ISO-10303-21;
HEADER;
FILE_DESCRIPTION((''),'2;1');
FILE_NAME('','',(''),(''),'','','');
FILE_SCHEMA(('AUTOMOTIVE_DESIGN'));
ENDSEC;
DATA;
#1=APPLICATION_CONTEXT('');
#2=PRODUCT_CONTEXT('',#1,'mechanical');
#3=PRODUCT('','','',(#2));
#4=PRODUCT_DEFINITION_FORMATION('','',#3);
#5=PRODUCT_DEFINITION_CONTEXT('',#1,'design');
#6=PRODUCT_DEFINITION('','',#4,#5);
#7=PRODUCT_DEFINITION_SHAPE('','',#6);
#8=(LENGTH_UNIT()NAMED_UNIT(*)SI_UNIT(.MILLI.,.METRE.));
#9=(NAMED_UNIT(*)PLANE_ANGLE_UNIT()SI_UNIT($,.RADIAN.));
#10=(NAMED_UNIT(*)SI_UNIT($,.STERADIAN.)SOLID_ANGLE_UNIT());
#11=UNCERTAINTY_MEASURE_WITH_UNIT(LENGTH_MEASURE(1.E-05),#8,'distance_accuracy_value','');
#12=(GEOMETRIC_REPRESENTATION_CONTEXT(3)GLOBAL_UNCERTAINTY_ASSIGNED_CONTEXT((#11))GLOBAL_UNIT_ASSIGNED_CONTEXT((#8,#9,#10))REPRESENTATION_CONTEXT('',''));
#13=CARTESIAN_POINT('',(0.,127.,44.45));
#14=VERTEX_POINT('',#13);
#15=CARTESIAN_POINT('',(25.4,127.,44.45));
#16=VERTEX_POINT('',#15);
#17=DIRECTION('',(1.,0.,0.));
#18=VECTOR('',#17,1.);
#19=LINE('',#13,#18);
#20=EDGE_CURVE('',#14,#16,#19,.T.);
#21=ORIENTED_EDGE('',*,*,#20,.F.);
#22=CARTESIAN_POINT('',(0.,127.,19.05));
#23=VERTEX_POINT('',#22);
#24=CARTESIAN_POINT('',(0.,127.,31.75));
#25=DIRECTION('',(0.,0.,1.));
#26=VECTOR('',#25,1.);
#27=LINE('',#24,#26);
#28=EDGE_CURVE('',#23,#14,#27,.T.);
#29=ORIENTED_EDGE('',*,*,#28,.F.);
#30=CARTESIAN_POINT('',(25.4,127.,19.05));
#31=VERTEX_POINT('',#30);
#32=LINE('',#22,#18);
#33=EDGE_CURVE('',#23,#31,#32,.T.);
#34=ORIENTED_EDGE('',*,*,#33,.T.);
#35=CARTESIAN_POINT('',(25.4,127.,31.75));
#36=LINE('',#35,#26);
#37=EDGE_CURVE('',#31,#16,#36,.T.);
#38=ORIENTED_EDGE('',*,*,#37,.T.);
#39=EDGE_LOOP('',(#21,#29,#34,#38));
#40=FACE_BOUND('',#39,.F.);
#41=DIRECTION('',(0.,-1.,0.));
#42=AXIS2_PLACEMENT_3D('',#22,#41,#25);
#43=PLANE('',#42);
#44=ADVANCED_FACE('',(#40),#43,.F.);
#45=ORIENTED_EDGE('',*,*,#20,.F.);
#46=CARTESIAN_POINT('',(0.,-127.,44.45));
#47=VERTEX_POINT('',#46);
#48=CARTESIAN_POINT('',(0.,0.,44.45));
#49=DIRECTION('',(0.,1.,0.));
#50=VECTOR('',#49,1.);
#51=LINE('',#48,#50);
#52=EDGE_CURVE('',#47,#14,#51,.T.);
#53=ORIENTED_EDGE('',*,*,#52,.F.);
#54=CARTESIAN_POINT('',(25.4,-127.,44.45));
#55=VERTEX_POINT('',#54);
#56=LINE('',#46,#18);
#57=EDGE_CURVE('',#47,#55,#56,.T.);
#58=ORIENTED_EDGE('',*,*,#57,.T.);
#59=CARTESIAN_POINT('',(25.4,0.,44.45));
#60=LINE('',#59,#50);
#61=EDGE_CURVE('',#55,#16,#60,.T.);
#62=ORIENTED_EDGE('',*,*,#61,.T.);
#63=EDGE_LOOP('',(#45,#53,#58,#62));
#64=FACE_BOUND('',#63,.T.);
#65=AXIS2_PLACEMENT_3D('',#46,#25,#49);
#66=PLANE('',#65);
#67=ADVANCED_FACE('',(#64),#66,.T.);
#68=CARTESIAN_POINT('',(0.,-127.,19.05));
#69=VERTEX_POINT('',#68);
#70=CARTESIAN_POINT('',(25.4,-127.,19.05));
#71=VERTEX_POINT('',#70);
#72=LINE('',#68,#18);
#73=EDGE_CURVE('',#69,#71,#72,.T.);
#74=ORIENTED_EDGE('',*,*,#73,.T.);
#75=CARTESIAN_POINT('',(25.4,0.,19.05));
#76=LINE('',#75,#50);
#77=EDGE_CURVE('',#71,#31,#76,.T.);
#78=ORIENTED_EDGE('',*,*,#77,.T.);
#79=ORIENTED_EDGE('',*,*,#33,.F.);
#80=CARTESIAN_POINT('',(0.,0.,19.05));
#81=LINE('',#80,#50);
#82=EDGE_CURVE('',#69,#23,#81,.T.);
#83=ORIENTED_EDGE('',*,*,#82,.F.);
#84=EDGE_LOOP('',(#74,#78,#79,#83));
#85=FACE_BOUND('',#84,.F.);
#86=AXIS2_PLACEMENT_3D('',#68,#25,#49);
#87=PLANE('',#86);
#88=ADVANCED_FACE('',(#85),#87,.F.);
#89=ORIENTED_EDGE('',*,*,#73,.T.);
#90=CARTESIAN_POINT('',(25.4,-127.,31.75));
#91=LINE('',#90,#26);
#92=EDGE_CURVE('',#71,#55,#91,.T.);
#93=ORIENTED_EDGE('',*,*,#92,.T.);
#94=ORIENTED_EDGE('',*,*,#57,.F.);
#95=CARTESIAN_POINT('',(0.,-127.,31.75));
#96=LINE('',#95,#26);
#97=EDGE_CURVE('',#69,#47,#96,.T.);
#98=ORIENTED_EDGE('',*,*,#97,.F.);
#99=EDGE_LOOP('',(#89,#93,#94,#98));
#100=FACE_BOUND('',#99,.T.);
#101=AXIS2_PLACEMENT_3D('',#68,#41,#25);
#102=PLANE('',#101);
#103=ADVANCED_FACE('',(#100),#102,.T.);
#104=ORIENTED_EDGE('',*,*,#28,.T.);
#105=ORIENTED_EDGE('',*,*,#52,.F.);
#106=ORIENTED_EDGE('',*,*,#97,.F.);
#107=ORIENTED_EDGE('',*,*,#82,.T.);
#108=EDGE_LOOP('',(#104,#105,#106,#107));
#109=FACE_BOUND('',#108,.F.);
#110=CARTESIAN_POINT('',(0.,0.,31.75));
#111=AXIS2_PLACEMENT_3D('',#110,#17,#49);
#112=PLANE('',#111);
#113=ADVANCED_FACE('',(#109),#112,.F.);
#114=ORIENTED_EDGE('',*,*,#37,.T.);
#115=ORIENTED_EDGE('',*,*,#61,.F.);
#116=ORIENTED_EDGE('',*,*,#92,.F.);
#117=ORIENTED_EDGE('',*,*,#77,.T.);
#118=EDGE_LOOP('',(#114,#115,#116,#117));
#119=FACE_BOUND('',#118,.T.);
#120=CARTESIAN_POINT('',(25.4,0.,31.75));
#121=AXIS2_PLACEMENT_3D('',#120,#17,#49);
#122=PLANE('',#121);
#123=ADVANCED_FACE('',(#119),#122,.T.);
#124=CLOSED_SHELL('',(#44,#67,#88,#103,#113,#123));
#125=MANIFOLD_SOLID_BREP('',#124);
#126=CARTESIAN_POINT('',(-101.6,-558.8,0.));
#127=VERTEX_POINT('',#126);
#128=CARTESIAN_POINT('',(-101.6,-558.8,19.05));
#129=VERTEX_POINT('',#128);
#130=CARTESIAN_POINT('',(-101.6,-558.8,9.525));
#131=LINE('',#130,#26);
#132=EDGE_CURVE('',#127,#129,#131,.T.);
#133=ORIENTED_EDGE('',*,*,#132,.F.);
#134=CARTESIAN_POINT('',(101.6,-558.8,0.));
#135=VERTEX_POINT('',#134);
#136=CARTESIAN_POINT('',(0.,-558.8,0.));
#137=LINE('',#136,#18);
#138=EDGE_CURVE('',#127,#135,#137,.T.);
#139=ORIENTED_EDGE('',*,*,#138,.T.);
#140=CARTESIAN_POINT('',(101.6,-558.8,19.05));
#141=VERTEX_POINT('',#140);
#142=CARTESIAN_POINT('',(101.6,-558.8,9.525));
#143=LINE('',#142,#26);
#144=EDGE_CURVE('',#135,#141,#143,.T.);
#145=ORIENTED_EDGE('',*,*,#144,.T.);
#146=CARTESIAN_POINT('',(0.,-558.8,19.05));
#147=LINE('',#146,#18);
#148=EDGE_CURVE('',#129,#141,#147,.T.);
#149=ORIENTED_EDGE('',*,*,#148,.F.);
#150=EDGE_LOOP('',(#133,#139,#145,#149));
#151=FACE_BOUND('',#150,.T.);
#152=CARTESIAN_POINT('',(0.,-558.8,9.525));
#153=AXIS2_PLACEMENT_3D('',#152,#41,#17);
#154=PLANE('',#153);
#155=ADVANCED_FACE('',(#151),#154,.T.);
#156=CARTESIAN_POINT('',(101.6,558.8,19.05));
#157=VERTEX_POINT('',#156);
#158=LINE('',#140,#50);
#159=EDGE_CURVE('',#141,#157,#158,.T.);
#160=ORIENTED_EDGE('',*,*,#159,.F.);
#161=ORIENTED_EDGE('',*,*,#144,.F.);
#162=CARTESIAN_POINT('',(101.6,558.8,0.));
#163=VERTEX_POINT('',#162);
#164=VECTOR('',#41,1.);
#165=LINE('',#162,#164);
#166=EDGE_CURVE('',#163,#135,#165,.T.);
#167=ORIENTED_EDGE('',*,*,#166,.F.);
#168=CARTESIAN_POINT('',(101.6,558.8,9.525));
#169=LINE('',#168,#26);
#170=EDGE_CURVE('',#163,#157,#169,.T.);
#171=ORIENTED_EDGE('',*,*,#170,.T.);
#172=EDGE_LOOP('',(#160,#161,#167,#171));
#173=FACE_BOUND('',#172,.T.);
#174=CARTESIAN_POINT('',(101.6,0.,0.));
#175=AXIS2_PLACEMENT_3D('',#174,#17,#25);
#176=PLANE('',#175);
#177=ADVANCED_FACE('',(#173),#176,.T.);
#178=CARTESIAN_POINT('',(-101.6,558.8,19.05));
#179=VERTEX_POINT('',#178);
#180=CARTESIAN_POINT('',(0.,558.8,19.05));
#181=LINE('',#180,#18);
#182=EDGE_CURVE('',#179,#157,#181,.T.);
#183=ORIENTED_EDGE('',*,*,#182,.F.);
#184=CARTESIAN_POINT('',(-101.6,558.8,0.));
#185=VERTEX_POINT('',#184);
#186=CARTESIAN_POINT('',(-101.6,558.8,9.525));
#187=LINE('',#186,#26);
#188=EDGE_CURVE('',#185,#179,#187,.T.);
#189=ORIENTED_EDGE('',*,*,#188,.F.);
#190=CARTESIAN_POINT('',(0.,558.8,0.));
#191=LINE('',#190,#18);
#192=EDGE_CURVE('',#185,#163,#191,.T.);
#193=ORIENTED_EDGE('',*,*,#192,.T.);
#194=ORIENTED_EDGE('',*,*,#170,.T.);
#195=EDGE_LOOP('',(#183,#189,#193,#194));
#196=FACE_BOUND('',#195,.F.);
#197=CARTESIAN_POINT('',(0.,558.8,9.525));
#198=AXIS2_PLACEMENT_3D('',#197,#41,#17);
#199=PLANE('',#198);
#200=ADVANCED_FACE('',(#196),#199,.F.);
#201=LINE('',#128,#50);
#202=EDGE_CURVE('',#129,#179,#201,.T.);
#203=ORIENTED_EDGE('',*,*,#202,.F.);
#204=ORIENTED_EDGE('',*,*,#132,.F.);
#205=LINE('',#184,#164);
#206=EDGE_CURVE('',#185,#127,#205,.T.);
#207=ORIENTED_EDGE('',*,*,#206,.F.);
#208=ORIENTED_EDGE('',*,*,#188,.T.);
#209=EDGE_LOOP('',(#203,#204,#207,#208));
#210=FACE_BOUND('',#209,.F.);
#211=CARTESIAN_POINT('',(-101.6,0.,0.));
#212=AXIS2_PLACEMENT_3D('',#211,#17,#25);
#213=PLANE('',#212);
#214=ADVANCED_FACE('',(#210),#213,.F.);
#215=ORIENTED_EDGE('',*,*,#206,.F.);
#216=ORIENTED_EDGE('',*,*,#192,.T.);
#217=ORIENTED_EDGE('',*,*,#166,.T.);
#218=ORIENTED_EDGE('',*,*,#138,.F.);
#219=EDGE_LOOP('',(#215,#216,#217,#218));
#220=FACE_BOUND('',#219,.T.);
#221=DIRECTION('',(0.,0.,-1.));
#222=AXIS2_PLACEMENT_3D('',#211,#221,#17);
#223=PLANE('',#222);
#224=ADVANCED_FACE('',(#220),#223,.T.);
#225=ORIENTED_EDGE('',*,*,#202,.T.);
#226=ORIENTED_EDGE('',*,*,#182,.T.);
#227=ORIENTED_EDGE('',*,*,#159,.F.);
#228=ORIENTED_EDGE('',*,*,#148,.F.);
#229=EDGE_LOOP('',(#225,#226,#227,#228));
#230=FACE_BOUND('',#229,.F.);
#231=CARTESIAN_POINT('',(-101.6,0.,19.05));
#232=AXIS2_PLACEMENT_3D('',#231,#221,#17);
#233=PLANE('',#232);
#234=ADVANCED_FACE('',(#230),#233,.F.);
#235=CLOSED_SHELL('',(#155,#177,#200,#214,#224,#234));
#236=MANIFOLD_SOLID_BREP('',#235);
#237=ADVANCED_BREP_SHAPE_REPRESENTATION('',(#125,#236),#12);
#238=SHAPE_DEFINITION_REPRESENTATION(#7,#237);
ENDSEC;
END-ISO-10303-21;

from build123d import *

# Parameters (mm, degrees)
F0_W     = 203.2
F0_H     = 19.05
F1_DEPTH = 558.8
F2_W     = 254
F2_H     = 25.4
F3_DEPTH = 25.4


with BuildPart() as f1:
    # F0 (on Front) → F1 (new body, symmetric)
    with BuildSketch(Plane.XZ):
        with Locations((0, 9.525)):
            Rectangle(F0_W, F0_H)
    extrude(amount=F1_DEPTH, both=True)


with BuildPart() as f3:
    # F2 (on Right) → F3 (new body)
    with BuildSketch(Plane.YZ):
        with Locations((0, 31.75)):
            Rectangle(F2_W, F2_H)
    extrude(amount=F3_DEPTH)


solid = Compound([f1.part, f3.part])
